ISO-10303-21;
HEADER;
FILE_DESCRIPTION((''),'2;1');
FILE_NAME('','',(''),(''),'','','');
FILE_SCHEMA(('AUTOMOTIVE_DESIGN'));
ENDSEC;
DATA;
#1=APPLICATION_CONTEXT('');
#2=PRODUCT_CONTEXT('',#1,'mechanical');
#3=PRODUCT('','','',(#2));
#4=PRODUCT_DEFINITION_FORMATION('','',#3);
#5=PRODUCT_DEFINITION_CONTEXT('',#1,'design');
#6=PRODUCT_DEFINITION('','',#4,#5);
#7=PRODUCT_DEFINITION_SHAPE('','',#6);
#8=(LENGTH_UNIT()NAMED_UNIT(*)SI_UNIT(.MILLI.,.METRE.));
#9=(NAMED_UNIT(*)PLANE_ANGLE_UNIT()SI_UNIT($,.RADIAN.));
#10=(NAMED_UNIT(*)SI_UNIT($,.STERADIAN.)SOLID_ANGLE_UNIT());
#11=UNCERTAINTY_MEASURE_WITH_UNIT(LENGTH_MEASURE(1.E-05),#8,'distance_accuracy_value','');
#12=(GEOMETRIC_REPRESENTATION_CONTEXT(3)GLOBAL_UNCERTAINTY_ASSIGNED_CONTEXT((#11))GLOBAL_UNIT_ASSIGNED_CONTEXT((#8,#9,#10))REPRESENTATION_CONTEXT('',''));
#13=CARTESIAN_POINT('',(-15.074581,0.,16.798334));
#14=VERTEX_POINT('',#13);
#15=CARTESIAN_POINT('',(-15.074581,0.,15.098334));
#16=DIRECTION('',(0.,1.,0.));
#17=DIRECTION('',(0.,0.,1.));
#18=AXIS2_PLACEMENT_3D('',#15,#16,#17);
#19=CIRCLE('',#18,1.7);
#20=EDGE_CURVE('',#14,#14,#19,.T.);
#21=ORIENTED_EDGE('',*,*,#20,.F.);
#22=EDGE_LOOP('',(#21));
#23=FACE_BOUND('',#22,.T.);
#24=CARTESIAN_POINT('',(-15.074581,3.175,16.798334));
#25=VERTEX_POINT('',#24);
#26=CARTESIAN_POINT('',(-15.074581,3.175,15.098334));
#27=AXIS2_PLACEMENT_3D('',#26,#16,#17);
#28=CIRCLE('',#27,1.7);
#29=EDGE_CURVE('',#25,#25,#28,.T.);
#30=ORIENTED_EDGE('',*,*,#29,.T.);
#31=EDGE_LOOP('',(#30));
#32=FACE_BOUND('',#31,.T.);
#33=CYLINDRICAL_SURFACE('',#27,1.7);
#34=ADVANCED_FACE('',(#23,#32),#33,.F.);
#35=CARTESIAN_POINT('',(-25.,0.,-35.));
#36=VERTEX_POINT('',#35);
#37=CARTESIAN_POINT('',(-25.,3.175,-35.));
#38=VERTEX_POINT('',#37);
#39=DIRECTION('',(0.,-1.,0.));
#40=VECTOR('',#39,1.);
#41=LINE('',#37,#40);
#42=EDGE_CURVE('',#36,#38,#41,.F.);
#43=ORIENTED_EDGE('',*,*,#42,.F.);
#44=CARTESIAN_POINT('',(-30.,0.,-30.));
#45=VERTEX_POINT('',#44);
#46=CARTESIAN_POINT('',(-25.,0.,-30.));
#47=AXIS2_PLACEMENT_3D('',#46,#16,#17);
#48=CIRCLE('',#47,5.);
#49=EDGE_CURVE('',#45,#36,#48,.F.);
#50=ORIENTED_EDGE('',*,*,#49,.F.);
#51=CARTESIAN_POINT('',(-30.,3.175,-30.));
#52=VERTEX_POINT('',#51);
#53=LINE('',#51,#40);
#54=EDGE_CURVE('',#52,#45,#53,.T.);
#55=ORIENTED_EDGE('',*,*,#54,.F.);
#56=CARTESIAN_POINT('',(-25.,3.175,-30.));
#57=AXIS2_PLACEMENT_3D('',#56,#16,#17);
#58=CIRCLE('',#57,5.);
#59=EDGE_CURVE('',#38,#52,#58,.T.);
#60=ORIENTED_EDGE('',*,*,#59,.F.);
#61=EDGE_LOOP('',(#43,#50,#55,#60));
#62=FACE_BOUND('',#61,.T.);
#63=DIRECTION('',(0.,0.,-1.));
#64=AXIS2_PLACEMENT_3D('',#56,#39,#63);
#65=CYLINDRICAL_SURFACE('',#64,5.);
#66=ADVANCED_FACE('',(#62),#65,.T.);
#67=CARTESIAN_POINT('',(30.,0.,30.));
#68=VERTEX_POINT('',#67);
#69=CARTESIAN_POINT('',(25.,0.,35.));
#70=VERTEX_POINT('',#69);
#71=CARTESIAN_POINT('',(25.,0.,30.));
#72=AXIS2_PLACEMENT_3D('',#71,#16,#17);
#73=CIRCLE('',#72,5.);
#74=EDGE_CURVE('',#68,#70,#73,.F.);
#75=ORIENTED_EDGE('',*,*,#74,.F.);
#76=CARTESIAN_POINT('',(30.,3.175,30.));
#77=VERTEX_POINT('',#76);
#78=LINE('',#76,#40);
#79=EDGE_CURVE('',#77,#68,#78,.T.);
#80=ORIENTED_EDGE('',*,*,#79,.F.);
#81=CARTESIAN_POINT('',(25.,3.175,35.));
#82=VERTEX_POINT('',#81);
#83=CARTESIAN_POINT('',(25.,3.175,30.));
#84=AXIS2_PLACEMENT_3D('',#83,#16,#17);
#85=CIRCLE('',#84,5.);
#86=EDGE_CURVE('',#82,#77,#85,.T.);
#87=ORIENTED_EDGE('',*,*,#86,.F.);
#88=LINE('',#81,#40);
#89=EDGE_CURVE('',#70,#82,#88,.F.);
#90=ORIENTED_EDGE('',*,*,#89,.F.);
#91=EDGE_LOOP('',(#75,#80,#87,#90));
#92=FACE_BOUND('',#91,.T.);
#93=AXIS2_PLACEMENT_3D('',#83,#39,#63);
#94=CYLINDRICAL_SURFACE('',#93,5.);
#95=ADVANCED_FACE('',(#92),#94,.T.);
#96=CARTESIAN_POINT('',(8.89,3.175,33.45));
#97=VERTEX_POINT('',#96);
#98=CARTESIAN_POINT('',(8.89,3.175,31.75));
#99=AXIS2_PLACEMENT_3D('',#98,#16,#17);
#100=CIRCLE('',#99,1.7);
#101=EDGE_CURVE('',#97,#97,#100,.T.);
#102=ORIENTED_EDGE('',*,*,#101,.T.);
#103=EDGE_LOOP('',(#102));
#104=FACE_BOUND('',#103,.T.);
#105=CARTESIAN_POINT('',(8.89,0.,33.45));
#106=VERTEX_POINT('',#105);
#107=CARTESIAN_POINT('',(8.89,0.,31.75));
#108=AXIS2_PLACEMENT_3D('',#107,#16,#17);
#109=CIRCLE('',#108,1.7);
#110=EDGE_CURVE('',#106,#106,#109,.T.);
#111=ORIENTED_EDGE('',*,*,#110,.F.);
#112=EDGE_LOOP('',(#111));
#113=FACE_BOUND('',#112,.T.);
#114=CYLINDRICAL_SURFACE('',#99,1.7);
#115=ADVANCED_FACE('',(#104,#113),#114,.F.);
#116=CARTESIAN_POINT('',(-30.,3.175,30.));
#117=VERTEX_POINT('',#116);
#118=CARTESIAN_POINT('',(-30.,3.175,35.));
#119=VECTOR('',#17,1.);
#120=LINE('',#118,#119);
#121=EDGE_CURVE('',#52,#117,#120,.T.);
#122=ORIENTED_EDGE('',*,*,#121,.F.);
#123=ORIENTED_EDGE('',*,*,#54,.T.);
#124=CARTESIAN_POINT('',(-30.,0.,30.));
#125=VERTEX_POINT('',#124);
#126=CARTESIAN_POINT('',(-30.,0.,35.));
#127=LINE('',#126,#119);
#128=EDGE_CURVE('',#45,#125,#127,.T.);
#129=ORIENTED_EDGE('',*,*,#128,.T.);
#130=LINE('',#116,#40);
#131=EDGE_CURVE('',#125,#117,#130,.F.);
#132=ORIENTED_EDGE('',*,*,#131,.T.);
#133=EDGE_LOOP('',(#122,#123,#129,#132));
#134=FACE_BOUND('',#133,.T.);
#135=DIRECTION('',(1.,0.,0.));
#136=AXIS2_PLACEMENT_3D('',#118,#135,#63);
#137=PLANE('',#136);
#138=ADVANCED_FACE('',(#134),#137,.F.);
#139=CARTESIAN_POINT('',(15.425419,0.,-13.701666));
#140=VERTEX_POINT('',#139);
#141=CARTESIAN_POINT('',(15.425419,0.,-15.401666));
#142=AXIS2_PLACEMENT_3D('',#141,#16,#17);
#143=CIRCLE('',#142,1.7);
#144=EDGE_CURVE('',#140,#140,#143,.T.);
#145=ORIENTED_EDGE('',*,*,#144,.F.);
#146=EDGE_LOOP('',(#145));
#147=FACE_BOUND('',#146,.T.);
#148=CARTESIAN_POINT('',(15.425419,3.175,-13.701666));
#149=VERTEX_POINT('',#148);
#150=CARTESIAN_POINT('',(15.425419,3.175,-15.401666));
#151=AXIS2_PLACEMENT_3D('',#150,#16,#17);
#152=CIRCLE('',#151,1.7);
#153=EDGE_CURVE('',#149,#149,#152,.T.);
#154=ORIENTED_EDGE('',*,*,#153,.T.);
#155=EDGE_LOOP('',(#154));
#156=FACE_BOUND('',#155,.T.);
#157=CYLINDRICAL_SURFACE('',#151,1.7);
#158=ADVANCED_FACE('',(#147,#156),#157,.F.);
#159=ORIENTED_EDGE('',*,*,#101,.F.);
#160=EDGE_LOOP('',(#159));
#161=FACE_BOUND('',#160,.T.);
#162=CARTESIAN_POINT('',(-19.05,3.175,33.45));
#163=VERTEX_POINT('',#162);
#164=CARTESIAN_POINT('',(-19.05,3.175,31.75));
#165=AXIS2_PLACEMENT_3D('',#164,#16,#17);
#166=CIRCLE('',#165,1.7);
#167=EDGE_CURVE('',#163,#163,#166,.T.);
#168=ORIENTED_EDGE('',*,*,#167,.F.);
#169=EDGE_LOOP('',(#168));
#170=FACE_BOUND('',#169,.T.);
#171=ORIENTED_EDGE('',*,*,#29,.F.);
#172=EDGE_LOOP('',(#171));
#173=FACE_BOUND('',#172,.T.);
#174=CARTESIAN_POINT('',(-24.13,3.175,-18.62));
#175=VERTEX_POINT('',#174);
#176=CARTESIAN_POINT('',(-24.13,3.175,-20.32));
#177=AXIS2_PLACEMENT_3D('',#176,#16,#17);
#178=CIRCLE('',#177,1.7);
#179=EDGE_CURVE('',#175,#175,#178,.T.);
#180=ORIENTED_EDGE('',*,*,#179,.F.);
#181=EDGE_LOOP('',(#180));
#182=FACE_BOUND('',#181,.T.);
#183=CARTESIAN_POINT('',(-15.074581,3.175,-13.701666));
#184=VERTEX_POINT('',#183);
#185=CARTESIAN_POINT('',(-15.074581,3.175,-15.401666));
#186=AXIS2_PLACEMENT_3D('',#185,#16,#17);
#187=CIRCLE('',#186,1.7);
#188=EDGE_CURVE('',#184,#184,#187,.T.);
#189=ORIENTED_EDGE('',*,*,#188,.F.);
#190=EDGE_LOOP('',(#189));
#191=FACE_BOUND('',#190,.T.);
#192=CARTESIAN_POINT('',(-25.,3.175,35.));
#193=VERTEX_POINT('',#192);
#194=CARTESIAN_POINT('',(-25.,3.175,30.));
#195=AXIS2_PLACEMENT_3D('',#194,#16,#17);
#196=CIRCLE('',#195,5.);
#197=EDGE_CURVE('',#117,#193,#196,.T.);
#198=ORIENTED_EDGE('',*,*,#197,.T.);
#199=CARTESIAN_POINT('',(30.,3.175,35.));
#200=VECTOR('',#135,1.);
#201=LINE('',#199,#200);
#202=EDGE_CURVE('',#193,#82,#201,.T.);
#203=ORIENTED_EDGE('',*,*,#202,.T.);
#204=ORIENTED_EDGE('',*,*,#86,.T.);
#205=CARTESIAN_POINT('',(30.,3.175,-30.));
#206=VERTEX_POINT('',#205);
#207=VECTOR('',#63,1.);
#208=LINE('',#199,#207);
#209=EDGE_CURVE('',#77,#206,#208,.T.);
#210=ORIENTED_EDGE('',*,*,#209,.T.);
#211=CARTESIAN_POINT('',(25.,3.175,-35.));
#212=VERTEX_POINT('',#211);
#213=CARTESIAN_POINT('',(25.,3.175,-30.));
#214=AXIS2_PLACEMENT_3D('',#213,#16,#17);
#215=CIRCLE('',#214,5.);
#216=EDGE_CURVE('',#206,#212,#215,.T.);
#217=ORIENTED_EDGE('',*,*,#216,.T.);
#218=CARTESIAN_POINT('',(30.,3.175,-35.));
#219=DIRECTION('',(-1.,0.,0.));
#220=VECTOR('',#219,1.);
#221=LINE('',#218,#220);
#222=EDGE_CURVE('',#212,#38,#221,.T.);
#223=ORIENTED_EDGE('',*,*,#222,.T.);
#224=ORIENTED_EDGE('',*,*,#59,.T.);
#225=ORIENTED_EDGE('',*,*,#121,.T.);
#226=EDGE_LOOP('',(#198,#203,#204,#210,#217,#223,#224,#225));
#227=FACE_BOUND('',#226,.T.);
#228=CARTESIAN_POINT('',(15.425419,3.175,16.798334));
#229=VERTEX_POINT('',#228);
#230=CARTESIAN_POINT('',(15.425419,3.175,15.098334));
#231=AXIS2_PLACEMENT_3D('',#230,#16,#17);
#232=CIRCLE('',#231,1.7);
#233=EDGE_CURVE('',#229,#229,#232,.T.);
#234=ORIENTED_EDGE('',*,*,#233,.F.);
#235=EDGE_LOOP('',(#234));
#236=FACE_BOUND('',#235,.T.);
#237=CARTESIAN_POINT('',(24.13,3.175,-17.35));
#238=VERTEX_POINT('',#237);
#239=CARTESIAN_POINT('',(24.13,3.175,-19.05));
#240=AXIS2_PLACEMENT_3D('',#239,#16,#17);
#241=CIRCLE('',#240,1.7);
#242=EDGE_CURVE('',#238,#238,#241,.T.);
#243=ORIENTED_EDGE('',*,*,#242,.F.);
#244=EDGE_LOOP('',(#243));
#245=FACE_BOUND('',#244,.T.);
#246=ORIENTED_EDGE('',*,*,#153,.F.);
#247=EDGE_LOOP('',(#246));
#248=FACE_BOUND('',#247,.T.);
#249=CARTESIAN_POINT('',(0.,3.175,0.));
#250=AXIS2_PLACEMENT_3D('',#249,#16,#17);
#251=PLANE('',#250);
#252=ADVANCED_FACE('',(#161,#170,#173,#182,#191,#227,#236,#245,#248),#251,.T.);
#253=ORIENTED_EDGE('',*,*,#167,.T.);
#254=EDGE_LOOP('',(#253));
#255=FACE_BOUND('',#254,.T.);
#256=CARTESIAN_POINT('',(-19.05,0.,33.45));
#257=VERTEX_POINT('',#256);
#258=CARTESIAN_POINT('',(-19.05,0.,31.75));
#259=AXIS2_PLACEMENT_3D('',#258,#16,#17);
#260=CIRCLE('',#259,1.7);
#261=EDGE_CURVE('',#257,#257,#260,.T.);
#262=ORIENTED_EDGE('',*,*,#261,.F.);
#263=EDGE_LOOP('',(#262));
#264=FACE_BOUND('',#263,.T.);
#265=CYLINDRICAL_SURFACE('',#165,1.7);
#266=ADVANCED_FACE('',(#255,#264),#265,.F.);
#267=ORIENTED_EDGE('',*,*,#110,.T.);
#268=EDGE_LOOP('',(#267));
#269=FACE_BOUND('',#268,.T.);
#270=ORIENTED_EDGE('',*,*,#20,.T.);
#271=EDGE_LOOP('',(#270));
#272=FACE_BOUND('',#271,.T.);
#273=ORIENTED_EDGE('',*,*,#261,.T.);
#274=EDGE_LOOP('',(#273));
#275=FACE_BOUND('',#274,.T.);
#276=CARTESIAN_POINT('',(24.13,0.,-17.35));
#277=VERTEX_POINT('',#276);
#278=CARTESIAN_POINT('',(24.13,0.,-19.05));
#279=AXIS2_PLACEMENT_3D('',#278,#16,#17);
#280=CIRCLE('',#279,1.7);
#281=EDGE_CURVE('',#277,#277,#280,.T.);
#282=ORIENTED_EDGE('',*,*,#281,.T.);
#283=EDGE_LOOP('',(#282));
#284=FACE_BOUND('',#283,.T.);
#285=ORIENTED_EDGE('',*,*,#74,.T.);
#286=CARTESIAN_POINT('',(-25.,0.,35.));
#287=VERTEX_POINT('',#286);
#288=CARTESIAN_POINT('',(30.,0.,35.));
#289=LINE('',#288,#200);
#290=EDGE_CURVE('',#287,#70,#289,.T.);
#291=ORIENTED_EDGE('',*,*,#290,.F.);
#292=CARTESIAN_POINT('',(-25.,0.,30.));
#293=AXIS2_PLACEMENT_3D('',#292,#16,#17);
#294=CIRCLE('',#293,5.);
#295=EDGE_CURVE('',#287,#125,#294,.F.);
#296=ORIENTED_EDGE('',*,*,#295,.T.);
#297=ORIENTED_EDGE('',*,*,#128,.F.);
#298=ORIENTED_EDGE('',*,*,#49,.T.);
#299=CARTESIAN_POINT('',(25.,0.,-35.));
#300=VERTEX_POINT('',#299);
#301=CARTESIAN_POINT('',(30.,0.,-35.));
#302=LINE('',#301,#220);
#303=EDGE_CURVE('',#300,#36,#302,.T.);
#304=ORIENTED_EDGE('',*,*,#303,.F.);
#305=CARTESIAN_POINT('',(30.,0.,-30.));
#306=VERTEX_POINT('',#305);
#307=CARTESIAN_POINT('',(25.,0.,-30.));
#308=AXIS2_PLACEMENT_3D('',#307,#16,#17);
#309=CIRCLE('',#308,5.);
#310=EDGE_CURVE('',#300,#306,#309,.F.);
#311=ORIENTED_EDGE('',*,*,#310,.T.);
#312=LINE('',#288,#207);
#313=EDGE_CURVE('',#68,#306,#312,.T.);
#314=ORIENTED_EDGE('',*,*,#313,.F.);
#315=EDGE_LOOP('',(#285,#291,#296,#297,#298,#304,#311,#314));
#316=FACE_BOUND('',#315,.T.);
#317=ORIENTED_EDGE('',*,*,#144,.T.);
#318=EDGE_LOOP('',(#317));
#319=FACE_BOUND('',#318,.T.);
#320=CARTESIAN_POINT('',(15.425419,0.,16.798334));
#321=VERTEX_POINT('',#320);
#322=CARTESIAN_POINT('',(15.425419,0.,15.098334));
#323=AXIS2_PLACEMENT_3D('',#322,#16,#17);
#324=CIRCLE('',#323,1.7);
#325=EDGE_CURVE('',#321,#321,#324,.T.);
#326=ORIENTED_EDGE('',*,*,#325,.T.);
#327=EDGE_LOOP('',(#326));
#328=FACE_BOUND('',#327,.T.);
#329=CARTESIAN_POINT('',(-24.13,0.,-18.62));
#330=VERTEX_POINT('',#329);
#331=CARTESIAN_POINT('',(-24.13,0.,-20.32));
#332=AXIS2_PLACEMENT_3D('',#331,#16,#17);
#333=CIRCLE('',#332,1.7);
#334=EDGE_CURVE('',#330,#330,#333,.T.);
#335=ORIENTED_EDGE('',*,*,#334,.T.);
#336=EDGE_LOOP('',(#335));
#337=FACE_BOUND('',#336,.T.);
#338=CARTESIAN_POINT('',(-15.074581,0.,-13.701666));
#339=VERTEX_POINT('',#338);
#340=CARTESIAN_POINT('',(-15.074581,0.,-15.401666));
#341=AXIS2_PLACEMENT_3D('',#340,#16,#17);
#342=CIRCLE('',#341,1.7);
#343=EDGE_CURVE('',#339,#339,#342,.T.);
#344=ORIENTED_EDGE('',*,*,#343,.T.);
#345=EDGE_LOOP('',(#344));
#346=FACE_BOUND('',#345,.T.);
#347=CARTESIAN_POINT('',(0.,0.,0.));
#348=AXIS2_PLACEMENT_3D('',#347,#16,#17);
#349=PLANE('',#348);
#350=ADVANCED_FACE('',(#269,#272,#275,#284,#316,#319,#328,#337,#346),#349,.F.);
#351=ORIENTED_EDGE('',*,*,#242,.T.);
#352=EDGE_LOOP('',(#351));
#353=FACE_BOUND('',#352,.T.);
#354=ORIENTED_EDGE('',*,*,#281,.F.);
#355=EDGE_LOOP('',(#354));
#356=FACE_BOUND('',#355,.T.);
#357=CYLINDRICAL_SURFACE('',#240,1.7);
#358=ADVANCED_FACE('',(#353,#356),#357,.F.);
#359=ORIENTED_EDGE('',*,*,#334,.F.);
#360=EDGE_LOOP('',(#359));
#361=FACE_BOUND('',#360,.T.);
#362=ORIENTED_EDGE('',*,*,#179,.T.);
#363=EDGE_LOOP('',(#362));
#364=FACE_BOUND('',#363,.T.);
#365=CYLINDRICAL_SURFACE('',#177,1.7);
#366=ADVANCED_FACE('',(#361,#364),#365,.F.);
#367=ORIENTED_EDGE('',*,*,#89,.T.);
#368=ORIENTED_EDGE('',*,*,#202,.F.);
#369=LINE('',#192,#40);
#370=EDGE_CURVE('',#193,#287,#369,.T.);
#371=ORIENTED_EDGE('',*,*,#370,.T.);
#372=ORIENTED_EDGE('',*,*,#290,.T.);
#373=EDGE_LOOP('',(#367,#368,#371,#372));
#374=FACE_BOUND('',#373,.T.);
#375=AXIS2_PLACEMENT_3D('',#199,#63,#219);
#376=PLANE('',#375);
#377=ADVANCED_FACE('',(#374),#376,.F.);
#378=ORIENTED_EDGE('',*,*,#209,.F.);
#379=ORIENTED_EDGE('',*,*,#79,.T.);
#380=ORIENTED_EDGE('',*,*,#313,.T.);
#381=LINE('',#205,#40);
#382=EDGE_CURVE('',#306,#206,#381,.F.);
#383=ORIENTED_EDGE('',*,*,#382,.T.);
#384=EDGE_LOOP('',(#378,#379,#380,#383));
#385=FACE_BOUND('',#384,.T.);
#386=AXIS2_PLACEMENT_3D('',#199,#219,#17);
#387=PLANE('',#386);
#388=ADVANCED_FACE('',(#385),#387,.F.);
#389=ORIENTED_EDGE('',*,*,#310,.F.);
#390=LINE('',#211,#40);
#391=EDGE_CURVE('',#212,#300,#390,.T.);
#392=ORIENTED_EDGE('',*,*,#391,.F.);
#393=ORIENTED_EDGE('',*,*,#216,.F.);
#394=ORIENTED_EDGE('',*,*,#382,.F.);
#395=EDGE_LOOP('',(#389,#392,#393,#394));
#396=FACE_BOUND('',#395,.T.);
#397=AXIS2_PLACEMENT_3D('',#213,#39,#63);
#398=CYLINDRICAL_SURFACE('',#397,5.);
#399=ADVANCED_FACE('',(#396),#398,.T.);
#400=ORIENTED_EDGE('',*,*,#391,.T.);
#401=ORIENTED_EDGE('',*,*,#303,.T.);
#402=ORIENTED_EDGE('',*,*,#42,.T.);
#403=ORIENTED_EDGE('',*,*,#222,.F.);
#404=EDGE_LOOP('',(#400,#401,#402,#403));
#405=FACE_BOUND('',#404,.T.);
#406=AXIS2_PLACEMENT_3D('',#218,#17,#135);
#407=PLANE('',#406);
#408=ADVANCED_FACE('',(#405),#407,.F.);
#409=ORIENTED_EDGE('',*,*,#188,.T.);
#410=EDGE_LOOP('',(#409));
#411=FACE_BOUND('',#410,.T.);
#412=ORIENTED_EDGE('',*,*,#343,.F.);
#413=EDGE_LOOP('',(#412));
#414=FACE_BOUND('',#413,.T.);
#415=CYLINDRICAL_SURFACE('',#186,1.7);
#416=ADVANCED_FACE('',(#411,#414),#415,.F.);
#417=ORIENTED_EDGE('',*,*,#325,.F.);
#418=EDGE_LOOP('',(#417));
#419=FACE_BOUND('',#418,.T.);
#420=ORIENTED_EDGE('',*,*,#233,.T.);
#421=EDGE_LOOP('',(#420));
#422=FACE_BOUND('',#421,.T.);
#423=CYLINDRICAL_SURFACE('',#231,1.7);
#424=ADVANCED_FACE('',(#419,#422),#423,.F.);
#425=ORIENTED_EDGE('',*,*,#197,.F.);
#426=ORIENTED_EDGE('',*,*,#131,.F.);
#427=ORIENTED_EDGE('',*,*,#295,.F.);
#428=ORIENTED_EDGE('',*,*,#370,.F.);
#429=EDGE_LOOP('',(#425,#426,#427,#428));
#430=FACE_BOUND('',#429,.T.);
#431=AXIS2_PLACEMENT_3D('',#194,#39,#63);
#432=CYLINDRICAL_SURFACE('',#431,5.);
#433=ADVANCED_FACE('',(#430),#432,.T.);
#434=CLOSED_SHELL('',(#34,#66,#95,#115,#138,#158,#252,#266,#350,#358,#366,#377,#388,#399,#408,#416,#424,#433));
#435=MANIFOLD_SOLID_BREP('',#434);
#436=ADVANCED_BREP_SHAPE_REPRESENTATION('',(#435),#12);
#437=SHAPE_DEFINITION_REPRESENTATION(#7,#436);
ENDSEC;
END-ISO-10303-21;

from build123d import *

# Parameters (mm, degrees)
SKETCH1_W            = 60
SKETCH1_H            = 70
BOSS_EXTRUDE1_DEPTH  = 3.175
M3_CLEARANCE_HOLE1_D = 3.4
M3_CLEARANCE_HOLE2_D = 3.4
FILLET1_R            = 5


with BuildPart() as part:
    # Sketch1 → Boss-Extrude1 (new body)
    with BuildSketch(Plane(origin=(0, 0, 0), x_dir=(1, 0, 0), z_dir=(0, 1, 0))):
        Rectangle(SKETCH1_W, SKETCH1_H)
    extrude(amount=BOSS_EXTRUDE1_DEPTH)

    # M3 Clearance Hole1 (through all)
    with Locations(Plane(origin=(0, 3.175, 0), x_dir=(1, 0, 0), z_dir=(0, 1, 0))):
        with Locations((15.425418598, 15.401666056), (15.425418598, -15.098333944), (-15.074581402, -15.098333944), (-15.074581402, 15.401666056)):
            Hole(M3_CLEARANCE_HOLE1_D / 2)

    # M3 Clearance Hole2 (through all)
    with Locations(Plane(origin=(0, 3.175, 0), x_dir=(1, 0, 0), z_dir=(0, 1, 0))):
        with Locations((-19.05, -31.75), (8.89, -31.75), (24.13, 19.05), (-24.13, 20.32)):
            Hole(M3_CLEARANCE_HOLE2_D / 2)

    # Fillet1
    fillet1_edges = [part.edges().sort_by_distance(p)[0] for p in [
        (-30, 1.5875, -35),
        (30, 1.5875, -35),
        (30, 1.5875, 35),
        (-30, 1.5875, 35),
    ]]
    fillet(fillet1_edges, radius=FILLET1_R)


solid = part.part
